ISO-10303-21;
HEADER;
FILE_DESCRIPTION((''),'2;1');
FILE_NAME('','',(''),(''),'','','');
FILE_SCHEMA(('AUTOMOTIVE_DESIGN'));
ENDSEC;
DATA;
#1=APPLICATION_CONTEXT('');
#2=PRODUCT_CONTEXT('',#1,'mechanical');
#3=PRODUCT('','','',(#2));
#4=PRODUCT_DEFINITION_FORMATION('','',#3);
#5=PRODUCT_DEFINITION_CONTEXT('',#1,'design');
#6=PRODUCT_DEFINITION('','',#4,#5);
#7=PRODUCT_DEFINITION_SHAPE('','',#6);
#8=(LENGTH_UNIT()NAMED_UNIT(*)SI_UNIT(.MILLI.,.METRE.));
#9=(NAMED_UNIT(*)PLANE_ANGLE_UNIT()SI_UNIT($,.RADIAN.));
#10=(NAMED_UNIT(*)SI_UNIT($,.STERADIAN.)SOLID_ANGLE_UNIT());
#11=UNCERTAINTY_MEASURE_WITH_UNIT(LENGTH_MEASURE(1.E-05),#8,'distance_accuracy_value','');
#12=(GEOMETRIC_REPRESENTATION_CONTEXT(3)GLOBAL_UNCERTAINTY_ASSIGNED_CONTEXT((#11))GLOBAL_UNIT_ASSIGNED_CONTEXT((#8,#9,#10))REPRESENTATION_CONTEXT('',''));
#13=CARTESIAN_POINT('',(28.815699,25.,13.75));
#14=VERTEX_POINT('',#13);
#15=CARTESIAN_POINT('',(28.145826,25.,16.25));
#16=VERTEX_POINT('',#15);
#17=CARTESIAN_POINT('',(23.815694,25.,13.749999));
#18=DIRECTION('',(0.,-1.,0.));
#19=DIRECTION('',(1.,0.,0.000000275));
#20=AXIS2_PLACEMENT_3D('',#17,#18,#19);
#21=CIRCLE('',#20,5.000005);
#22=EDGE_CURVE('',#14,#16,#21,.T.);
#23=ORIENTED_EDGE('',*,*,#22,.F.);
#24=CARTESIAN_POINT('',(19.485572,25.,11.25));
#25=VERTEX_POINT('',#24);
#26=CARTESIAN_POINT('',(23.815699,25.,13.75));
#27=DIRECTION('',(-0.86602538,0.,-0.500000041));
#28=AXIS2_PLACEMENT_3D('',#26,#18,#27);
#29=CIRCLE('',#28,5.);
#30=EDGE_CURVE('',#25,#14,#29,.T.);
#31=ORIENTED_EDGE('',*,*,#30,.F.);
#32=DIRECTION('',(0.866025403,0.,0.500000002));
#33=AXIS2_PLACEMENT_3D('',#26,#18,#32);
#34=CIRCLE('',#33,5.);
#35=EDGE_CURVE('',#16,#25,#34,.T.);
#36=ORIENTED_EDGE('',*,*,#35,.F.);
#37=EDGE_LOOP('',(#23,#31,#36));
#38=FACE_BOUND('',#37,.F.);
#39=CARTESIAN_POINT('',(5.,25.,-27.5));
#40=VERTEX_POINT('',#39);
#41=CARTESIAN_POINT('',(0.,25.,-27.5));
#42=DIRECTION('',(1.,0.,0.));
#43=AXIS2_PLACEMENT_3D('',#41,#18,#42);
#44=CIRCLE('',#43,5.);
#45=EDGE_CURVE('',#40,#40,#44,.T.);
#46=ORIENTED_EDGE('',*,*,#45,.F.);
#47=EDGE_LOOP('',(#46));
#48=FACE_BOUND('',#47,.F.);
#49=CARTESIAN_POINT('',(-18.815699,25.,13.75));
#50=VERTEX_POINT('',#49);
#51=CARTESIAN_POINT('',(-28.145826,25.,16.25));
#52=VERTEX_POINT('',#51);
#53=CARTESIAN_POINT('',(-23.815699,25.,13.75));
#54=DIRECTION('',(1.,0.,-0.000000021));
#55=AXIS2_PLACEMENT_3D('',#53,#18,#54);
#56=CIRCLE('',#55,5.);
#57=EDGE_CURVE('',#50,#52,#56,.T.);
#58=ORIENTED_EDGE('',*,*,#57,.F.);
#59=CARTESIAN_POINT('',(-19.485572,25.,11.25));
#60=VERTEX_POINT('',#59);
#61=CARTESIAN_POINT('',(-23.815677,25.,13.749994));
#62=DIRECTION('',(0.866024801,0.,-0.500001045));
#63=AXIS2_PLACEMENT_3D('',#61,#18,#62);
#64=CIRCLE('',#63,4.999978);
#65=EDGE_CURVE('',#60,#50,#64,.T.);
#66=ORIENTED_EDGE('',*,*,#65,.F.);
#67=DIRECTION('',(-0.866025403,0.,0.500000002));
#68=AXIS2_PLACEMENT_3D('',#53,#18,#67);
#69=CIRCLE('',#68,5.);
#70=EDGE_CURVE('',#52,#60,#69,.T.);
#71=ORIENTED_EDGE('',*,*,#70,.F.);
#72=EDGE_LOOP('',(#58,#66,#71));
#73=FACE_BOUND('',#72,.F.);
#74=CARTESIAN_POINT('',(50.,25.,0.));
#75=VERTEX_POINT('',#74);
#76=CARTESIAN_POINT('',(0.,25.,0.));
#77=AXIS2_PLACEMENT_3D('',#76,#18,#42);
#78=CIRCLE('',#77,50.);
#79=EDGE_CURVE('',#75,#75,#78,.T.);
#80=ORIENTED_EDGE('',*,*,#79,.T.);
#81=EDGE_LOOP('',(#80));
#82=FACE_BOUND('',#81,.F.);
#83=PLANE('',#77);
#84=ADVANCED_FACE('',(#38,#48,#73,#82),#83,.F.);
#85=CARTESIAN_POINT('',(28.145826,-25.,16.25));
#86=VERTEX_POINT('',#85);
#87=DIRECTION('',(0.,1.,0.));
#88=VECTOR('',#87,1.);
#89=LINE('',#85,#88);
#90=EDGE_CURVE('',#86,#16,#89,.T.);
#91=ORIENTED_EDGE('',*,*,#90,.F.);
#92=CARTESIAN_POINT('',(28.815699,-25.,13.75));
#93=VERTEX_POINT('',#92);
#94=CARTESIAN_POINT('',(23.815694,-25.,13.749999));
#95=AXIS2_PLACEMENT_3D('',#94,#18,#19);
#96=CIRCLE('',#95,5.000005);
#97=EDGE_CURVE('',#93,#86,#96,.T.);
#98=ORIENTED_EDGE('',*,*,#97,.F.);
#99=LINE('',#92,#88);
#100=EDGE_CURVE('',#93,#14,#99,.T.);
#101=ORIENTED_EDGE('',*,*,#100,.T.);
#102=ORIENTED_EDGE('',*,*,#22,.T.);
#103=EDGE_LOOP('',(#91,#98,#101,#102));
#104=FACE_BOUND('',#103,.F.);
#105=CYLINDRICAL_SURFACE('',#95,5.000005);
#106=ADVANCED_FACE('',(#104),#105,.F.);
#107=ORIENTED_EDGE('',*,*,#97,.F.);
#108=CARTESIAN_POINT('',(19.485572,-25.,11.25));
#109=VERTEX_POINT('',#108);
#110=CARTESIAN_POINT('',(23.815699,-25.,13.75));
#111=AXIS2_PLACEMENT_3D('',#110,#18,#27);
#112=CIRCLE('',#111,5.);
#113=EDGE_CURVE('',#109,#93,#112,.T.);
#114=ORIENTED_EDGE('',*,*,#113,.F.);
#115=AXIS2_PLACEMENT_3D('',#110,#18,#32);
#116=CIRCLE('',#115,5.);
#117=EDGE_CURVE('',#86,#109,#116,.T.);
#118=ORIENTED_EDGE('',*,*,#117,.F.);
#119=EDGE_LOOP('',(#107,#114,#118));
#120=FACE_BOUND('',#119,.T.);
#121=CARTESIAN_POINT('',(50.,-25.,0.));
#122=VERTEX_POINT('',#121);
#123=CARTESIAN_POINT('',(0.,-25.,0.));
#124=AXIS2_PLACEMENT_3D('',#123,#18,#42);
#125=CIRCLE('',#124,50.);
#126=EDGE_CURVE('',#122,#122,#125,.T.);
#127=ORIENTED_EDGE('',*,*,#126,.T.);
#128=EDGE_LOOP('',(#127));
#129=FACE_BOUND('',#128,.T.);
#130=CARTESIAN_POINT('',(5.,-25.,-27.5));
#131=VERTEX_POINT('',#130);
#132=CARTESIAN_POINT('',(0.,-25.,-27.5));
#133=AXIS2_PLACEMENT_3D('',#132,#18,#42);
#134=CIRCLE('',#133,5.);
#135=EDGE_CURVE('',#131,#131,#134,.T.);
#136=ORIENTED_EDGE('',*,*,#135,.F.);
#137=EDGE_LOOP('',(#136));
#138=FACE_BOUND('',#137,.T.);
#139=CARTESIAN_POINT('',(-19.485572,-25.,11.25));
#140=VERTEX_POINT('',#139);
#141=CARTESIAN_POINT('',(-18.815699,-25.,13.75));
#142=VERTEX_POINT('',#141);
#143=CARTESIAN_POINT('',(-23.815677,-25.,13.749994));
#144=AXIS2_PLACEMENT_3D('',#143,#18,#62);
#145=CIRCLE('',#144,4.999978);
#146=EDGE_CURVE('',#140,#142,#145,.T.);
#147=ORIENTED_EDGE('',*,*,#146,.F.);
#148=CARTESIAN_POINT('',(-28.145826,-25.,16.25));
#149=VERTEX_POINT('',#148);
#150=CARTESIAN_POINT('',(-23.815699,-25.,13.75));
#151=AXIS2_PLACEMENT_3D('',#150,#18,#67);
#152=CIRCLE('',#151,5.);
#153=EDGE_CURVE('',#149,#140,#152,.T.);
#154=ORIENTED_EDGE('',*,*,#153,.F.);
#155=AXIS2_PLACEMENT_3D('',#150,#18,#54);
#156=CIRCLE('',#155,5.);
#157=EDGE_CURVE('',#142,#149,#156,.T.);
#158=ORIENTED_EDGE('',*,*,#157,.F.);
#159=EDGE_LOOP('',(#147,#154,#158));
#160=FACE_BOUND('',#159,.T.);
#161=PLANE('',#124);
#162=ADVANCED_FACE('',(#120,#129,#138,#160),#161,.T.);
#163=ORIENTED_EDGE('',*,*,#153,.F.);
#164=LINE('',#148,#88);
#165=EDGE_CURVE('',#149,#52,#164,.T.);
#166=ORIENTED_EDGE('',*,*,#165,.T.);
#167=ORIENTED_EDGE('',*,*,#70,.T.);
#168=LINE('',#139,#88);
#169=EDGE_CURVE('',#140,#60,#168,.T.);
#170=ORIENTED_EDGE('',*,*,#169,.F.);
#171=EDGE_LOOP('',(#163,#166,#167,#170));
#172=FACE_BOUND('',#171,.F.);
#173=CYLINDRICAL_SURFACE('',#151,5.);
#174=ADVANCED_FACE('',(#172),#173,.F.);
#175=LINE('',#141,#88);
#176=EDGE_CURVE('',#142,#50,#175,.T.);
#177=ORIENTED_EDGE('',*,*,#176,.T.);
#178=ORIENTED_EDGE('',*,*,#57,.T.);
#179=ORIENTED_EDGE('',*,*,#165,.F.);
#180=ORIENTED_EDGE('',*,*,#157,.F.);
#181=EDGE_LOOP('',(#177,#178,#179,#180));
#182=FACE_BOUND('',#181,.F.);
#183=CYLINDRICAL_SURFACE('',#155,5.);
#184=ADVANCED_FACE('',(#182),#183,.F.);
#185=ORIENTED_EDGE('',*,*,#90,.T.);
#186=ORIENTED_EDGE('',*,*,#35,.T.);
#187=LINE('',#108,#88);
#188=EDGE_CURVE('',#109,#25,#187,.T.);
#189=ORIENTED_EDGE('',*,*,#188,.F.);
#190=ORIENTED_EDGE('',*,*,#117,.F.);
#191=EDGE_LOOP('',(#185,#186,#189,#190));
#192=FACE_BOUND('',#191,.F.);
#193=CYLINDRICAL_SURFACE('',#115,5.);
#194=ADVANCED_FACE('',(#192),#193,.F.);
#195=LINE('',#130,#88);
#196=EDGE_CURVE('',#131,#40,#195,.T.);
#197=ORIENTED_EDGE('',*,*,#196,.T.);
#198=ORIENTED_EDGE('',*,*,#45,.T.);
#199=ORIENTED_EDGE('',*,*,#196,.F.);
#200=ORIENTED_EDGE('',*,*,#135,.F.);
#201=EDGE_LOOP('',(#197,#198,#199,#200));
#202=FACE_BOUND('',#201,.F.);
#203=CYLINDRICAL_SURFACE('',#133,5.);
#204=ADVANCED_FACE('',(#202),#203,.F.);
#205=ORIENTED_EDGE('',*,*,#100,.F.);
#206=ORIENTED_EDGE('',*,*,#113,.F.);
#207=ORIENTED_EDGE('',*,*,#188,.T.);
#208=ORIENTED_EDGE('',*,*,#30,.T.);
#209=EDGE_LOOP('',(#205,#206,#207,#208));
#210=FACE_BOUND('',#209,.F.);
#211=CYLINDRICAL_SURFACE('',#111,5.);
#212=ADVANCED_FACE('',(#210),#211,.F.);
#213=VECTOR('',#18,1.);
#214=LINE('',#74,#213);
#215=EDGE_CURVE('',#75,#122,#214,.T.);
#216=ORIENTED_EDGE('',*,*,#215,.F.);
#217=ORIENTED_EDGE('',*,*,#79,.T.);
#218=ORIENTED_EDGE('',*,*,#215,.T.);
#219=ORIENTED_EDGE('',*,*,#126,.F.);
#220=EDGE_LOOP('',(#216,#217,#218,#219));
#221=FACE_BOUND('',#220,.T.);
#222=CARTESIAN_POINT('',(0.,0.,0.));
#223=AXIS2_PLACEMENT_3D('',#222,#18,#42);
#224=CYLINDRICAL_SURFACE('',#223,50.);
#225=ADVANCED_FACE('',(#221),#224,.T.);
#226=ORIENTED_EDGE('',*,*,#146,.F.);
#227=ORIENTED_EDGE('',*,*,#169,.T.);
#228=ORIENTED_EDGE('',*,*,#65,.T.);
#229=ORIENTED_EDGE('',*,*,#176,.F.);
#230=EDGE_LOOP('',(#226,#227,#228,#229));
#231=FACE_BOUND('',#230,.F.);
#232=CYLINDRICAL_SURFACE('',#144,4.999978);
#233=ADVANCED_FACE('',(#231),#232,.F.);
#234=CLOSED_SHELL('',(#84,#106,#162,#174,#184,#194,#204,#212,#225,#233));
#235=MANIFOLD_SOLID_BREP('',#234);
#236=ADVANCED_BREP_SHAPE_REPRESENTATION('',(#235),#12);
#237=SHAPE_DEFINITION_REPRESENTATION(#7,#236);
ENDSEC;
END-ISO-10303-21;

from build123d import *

# Parameters (mm, degrees)
F0_R     = 50
F1_DEPTH = 25
F2_R     = 5
F3_DEPTH = 74


with BuildPart() as f1:
    # F0 (on Front) → F1 (new body, symmetric)
    with BuildSketch(Plane.XZ):
        Circle(F0_R)
    extrude(amount=F1_DEPTH, both=True)

    # F2 (on face) → F3 (cut)
    with BuildSketch(Plane.XZ.offset(25)):
        with BuildLine():
            ThreePointArc((-19.485572, 11.25), (-18.986069, 12.455905), (-18.815699, 13.75))
            ThreePointArc((-18.815699, 13.75), (-22.521603, 18.579629), (-28.145826, 16.25))
            Line((-28.145826, 16.25), (-19.485572, 11.25))
        make_face()
        with BuildLine():
            ThreePointArc((28.145826, 16.25), (21.315699, 18.080127), (19.485572, 11.25))
            Line((19.485572, 11.25), (28.145826, 16.25))
        make_face()
        with BuildLine():
            Line((28.145826, 16.25), (19.485572, 11.25))
            ThreePointArc((19.485572, 11.25), (25.109794, 8.920371), (28.815699, 13.75))
            ThreePointArc((28.815699, 13.75), (28.645328, 15.044095), (28.145826, 16.25))
        make_face()
        with BuildLine():
            Line((-19.485572, 11.25), (-28.145826, 16.25))
            ThreePointArc((-28.145826, 16.25), (-26.315699, 9.419873), (-19.485572, 11.25))
        make_face()
        with Locations((0, -27.5)):
            Circle(F2_R)
    extrude(amount=-F3_DEPTH, mode=Mode.SUBTRACT)


solid = f1.part
